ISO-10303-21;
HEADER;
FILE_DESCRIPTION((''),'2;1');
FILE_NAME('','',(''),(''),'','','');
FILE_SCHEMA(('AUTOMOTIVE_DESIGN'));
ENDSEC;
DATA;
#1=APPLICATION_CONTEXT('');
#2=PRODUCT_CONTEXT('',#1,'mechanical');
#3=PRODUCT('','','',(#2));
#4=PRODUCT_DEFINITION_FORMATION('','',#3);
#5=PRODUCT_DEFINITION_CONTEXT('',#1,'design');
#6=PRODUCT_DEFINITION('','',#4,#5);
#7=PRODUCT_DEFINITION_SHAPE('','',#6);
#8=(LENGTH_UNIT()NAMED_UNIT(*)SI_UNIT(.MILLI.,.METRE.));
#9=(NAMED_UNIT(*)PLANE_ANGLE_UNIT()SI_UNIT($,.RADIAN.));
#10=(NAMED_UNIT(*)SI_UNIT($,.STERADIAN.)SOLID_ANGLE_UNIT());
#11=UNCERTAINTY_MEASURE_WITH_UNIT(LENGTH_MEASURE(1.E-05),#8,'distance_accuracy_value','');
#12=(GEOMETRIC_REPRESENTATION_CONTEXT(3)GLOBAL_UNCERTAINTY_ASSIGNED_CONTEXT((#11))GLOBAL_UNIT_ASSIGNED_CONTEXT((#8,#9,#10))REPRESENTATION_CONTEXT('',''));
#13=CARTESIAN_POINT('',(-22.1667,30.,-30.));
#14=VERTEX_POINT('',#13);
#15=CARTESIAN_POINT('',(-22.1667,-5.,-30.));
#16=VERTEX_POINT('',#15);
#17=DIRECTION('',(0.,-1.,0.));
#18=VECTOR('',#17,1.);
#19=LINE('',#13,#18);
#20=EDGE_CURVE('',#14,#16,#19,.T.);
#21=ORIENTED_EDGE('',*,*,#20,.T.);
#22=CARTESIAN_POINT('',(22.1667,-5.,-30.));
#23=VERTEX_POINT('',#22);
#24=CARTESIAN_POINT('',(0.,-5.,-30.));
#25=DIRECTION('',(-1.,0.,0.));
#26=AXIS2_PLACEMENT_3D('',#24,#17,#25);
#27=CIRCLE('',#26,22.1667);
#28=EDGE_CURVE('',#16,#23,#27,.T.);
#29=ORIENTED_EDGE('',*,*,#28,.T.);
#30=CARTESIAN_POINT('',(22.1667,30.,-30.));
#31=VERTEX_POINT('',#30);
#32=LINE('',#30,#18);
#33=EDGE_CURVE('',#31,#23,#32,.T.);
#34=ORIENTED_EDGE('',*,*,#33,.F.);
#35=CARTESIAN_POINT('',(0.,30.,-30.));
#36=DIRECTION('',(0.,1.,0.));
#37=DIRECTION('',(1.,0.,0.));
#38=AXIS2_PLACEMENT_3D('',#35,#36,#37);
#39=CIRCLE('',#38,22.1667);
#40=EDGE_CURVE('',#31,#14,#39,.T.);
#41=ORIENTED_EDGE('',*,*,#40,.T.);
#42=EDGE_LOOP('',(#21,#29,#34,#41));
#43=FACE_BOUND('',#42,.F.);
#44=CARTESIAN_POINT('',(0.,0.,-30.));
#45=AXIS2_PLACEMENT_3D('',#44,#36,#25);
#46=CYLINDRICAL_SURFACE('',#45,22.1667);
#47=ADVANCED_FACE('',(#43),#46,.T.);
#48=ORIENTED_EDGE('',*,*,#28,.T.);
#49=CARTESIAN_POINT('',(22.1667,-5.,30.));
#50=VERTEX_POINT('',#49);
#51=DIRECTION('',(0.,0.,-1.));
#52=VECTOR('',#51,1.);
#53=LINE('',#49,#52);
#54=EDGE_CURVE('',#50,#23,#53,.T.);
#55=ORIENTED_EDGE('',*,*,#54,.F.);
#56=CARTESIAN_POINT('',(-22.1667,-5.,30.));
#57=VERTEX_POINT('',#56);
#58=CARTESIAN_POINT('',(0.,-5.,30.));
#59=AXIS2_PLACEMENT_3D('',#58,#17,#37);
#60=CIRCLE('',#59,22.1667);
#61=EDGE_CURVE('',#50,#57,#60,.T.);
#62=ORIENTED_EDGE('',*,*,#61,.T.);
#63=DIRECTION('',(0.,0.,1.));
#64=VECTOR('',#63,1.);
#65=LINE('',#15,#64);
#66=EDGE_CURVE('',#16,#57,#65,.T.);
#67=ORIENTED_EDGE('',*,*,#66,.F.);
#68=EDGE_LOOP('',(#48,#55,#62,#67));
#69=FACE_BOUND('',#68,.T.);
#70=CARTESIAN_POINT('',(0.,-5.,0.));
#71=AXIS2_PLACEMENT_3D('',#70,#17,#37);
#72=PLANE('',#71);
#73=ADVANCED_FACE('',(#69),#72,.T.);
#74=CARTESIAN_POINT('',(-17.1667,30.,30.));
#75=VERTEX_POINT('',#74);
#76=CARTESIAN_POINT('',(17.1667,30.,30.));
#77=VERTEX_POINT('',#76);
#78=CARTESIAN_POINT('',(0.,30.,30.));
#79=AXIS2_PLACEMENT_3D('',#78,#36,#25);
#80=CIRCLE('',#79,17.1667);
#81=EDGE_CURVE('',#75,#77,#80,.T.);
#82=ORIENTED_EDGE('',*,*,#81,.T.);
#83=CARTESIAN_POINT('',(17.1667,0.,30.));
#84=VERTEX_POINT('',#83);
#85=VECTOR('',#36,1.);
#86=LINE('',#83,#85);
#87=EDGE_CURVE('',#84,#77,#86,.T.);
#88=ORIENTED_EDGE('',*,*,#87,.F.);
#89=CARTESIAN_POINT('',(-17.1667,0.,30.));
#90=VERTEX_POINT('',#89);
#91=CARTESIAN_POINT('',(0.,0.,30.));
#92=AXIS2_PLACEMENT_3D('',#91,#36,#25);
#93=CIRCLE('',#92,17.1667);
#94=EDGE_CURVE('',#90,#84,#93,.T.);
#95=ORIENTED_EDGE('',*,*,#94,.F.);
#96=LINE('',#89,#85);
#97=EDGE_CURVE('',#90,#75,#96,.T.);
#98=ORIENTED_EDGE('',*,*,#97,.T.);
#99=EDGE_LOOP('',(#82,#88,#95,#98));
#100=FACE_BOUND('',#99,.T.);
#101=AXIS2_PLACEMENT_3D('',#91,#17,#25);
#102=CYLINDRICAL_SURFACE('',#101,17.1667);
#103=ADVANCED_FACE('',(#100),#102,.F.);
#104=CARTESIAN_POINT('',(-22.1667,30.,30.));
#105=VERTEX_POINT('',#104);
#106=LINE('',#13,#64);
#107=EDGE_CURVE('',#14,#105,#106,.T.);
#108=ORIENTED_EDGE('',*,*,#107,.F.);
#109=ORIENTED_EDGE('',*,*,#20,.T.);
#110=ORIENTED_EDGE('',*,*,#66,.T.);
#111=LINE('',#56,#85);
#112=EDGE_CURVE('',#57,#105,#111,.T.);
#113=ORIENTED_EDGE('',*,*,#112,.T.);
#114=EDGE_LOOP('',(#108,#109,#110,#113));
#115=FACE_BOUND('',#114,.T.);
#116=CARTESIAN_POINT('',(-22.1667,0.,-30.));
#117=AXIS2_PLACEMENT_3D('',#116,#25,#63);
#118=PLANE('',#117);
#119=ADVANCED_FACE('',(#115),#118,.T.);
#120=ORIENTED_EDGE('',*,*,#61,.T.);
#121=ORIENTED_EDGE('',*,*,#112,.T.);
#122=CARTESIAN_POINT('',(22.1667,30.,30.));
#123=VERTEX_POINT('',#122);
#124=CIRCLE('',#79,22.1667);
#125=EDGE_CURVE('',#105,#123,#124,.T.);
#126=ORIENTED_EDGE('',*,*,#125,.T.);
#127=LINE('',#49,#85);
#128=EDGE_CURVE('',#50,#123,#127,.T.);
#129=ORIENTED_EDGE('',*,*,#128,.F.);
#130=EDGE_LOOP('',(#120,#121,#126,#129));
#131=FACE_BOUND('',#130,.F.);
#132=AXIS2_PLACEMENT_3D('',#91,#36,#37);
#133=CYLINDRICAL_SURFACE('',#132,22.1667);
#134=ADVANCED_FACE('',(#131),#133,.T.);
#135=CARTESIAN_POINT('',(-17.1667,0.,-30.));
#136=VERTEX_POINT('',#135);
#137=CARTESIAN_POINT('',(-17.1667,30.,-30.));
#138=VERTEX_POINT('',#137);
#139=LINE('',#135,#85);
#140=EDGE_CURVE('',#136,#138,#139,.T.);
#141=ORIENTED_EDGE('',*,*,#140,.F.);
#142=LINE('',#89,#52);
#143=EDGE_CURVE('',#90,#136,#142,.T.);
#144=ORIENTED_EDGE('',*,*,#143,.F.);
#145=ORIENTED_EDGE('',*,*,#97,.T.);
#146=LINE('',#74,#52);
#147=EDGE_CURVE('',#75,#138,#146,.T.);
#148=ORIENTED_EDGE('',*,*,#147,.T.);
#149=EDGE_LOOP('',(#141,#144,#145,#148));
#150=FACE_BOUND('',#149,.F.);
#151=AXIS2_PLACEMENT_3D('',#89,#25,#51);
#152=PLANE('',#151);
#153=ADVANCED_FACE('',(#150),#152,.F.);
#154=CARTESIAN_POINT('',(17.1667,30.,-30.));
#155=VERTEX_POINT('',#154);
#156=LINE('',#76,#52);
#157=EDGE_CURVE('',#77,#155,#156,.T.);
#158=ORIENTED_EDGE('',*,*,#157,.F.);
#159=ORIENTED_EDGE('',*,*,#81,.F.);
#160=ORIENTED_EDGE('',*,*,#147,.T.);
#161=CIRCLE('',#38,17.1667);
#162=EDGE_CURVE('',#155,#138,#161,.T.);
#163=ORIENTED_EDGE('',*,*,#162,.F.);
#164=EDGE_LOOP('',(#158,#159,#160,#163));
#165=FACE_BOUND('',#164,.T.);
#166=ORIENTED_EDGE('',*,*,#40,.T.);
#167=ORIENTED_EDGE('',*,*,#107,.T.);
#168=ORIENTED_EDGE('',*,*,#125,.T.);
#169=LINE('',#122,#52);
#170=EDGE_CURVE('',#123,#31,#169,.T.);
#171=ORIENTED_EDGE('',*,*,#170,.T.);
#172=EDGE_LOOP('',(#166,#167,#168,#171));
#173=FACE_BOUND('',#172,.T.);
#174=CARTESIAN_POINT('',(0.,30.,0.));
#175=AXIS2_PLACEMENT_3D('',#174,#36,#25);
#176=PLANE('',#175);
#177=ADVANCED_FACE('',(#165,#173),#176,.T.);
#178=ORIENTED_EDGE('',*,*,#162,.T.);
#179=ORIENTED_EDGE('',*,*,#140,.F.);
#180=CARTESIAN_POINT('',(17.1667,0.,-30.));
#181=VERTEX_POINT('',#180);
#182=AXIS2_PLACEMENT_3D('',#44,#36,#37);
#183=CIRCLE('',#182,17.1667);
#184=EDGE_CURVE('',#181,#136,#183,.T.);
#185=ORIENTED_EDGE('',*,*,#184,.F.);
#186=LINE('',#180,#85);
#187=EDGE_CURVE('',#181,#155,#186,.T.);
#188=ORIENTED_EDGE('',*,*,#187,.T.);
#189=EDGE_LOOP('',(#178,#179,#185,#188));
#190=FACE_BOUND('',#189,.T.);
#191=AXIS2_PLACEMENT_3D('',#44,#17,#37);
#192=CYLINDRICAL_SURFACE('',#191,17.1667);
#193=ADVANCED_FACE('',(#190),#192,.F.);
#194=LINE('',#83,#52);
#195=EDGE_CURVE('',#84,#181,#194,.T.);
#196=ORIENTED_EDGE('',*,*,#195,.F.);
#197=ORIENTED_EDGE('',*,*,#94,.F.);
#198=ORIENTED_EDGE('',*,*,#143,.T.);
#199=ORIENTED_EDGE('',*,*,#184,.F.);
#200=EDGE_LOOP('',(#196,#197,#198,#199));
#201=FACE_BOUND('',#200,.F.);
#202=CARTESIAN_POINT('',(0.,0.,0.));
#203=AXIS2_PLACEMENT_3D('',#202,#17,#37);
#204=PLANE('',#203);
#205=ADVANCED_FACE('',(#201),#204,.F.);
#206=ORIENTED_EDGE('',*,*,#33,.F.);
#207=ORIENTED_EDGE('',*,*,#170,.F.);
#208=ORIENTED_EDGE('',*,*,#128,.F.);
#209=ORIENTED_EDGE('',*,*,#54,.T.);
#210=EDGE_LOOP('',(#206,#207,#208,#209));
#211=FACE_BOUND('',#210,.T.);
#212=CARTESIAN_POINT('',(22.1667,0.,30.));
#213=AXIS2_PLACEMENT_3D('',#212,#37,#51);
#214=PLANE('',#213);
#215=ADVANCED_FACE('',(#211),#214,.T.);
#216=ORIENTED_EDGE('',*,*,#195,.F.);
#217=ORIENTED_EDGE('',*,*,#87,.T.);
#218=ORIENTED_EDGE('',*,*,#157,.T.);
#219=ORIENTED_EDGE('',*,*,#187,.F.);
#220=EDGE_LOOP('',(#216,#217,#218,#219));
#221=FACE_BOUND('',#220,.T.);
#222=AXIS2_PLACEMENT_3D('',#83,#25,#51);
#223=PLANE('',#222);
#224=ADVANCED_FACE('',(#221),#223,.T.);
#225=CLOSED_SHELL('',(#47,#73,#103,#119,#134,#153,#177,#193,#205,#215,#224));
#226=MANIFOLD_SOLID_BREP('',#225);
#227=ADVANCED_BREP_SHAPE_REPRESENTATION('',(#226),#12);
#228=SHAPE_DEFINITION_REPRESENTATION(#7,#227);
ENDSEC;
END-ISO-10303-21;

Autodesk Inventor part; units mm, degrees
ref_plane "YZ Plane" through (0, 0, 0) normal (1, 0, 0) x (0, 1, 0)
ref_plane "XZ Plane" through (0, 0, 0) normal (0, 1, 0) x (-1, 0, 0)
ref_plane "XY Plane" through (0, 0, 0) normal (0, 0, 1) x (1, 0, 0)
sketch "Boceto1" plane through (0, 0, 0) normal (0, 1, 0) x (-1, 0, 0)
  line L0 (22.1667, 30) -> (-22.1667, 30)
  line L1 (-22.1667, 30) -> (-22.1667, -30)
  line L2 (-22.1667, -30) -> (22.1667, -30)
  line L3 (22.1667, -30) -> (22.1667, 30)
  arc A0 (22.1667, 30) -> (-22.1667, 30) centre (0, 30) ccw
  arc A1 (-22.1667, -30) -> (22.1667, -30) centre (0, -30) ccw
  line L4 (17.1667, 30) -> (17.1667, -30)
  line L5 (-17.1667, 30) -> (-17.1667, -30)
  arc A2 (17.1667, 30) -> (-17.1667, 30) centre (0, 30) ccw
  arc A3 (-17.1667, -30) -> (17.1667, -30) centre (0, -30) ccw
  point P0 (0, 0)
  dimension "d0" = 44.3333
  dimension "d1" = 60
  dimension "d2" = 22.1667
  dimension "d3" = 30
  dimension "d4" = 5
  dimension "d5" = 5
extrude "Extrusión1" add sketch "Boceto1" along normal blind 30 contours L3 L2 L4 L0 | L0 A2 A0 | A1 L2 A3 | L0 L5 L2 L1
sketch "Boceto2" plane through (0, 0, 0) normal (0, -1, 0) x (1, 0, 0)
  arc A0 (-22.1667, -30) -> (22.1667, -30) centre (0, -30) ccw projected
  line L0 (-22.1667, -30) -> (-22.1667, 30) projected
  arc A1 (22.1667, 30) -> (-22.1667, 30) centre (0, 30) ccw projected
  line L1 (22.1667, 30) -> (22.1667, -30) projected
  point P0 (0, 0)
extrude "Extrusión2" add sketch "Boceto2" along normal blind 5
equation "\"d2\" = 0.5 * d0"
equation "\"d3\" = 0.5 * d1"
equation "\"d4\" = d5"
properties part number "Riel"
